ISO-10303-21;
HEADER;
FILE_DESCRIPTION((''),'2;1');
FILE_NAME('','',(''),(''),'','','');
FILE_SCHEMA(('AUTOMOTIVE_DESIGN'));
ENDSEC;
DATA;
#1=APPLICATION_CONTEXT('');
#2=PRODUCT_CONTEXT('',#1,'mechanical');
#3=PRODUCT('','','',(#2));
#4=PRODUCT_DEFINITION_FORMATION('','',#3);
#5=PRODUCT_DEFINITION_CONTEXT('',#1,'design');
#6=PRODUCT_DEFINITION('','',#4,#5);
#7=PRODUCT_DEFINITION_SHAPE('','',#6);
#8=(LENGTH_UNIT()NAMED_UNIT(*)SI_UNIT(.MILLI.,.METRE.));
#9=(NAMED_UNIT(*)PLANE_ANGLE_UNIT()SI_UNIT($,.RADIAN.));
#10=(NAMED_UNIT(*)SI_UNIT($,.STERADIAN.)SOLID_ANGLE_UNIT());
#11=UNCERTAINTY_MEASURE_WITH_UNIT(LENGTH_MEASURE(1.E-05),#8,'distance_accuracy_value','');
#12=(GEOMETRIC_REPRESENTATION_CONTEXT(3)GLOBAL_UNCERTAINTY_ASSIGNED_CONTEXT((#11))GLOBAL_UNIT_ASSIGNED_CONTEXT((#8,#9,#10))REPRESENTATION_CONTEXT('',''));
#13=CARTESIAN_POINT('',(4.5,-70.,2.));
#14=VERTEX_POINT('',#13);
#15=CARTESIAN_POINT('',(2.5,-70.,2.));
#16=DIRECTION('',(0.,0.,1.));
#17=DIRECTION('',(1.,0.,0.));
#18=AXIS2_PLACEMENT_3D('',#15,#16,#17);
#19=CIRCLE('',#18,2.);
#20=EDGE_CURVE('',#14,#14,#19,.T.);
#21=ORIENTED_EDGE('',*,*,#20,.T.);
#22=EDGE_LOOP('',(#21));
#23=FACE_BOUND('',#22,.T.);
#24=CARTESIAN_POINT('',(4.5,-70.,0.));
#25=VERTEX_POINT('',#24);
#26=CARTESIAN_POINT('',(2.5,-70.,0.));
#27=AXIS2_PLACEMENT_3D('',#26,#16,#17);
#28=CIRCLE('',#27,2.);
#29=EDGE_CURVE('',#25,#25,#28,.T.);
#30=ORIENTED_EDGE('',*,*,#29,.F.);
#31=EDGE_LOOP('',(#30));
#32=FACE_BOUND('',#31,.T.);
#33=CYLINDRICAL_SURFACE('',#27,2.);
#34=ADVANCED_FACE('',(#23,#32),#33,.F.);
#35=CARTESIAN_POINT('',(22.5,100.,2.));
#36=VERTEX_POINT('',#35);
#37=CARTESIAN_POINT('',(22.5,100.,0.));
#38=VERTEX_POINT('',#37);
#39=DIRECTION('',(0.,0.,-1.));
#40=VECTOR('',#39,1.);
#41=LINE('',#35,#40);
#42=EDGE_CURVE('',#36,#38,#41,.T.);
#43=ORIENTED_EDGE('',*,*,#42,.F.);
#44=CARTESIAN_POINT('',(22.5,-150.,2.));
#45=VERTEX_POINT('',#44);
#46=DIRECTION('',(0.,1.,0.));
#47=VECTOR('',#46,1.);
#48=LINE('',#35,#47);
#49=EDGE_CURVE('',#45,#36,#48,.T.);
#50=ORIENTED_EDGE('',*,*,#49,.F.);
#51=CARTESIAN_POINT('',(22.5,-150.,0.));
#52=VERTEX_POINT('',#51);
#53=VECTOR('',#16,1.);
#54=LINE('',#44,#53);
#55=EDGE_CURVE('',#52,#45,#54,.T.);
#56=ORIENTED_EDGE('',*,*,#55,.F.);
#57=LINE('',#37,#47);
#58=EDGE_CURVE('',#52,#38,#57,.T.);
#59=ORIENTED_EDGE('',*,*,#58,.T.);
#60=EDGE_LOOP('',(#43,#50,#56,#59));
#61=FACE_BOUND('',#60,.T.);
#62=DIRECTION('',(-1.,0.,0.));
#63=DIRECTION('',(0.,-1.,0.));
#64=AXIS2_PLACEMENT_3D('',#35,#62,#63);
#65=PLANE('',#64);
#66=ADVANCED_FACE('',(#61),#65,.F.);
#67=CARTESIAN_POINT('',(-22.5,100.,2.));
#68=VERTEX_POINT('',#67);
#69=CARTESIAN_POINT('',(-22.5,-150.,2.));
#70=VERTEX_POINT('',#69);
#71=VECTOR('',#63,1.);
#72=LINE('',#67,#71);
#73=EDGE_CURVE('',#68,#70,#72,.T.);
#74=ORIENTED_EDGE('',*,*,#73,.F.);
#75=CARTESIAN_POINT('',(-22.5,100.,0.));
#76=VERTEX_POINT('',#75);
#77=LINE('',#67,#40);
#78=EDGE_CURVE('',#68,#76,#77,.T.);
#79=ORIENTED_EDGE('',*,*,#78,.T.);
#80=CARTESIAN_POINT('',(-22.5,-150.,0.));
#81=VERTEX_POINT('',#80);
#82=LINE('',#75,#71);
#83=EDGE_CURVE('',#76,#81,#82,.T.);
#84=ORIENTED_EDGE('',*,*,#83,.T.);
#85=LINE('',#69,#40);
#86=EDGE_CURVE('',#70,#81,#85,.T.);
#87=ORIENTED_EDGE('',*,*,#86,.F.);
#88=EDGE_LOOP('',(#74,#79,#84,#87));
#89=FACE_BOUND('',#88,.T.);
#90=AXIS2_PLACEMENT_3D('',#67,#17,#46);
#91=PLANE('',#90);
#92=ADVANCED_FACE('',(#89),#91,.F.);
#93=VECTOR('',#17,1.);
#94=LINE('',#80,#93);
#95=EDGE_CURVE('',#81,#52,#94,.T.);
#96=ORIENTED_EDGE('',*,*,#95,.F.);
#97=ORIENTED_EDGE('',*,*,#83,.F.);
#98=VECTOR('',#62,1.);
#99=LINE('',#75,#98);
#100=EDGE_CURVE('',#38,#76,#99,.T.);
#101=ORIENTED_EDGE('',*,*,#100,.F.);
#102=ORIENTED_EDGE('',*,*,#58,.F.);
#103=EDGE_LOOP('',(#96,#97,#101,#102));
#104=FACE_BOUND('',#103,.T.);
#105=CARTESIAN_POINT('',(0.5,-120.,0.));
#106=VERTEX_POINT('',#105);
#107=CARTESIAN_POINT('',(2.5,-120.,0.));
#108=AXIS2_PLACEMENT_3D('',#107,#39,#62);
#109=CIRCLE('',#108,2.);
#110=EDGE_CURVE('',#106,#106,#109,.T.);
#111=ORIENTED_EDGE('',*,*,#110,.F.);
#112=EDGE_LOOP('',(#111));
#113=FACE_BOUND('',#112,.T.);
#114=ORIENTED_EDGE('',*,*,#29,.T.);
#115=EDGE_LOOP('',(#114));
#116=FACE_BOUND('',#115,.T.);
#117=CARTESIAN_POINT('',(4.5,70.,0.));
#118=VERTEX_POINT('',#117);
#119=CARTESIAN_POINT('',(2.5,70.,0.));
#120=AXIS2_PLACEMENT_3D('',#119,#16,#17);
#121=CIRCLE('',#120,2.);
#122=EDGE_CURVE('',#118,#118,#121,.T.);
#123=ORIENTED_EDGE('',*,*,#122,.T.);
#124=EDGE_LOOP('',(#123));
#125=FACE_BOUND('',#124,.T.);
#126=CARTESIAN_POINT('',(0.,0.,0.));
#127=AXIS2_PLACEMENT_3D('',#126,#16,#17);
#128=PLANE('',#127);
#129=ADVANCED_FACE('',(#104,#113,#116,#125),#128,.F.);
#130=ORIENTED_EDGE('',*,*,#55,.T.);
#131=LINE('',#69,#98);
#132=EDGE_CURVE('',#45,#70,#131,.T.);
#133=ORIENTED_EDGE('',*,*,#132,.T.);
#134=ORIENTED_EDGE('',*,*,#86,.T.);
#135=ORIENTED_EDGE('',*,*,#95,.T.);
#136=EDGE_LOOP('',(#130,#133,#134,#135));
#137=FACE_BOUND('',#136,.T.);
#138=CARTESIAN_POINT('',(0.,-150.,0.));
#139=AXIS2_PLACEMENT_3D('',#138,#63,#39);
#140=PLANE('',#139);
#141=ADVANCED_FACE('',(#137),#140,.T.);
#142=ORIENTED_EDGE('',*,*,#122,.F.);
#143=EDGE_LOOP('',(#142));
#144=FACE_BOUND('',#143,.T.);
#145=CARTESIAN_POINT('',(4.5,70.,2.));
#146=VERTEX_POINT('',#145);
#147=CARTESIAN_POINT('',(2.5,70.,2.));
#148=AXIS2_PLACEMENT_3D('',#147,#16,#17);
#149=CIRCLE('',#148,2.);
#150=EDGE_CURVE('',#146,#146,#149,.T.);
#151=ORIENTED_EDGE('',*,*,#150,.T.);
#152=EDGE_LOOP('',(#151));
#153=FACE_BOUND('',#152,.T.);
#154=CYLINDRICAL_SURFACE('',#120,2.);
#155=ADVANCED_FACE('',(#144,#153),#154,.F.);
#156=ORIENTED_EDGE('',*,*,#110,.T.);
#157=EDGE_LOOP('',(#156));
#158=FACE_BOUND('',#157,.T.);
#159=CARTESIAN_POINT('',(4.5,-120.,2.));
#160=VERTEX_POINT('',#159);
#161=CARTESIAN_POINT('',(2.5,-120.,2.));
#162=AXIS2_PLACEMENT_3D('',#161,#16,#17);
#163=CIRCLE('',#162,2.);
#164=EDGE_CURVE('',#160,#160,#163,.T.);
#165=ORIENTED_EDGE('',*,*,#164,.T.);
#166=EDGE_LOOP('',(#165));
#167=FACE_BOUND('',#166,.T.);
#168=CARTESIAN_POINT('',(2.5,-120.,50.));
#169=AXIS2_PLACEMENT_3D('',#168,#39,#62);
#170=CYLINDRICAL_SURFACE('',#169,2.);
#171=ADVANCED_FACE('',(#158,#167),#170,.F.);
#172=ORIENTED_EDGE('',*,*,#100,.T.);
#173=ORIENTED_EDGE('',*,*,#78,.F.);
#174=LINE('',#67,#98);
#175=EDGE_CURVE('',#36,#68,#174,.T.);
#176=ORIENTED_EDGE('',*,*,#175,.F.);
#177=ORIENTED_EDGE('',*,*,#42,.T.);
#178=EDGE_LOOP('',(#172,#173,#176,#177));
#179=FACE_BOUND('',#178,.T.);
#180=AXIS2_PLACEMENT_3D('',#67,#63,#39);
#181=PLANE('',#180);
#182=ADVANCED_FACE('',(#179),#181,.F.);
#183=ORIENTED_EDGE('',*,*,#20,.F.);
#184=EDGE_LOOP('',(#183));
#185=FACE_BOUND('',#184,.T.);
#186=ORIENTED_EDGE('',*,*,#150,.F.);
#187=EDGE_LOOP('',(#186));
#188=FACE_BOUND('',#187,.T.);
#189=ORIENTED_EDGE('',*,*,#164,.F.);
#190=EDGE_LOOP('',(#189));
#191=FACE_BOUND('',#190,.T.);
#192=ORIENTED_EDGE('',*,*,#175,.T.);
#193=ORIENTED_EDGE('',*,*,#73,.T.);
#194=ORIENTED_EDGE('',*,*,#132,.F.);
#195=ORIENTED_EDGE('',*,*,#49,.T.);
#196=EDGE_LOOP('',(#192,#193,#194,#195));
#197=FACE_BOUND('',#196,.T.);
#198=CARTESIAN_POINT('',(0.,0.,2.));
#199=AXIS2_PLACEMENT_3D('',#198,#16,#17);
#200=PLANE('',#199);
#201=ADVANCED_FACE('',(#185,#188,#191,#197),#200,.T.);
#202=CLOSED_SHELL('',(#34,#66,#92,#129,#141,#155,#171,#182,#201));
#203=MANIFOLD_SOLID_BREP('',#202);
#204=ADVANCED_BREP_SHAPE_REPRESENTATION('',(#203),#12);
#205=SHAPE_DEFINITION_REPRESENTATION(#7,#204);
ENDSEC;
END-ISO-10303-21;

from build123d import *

# Parameters (mm, degrees)
SKETCH1_W           = 45
SKETCH1_H           = 200
BOSS_EXTRUDE1_DEPTH = 2
SKETCH2_R           = 2
CUT_EXTRUDE1_DEPTH  = 103.519510338
SKETCH5_W           = 45
SKETCH5_H           = 2
BOSS_EXTRUDE3_DEPTH = 50
SKETCH6_R           = 2
CUT_EXTRUDE3_DEPTH  = 50


with BuildPart() as part:
    # Sketch1 → Boss-Extrude1 (new body)
    with BuildSketch(Plane.XY):
        Rectangle(SKETCH1_W, SKETCH1_H)
    extrude(amount=BOSS_EXTRUDE1_DEPTH)

    # Sketch2 → Cut-Extrude1 (cut, through all)
    with BuildSketch(Plane.XY.offset(2)):
        with Locations((2.5, -70)):
            Circle(SKETCH2_R)
        with Locations((2.5, 70)):
            Circle(SKETCH2_R)
    extrude(amount=-CUT_EXTRUDE1_DEPTH, mode=Mode.SUBTRACT)

    # Sketch5 → Boss-Extrude3 (add)
    with BuildSketch(Plane.XZ.offset(100)):
        with Locations((0, 1)):
            Rectangle(SKETCH5_W, SKETCH5_H)
    extrude(amount=BOSS_EXTRUDE3_DEPTH)

    # Sketch6 → Cut-Extrude3 (cut)
    with BuildSketch(Plane(origin=(0, 0, 0), x_dir=(-1, 0, 0), z_dir=(0, 0, -1))):
        with Locations((-2.5, -120)):
            Circle(SKETCH6_R)
    extrude(amount=-CUT_EXTRUDE3_DEPTH, mode=Mode.SUBTRACT)


solid = part.part
